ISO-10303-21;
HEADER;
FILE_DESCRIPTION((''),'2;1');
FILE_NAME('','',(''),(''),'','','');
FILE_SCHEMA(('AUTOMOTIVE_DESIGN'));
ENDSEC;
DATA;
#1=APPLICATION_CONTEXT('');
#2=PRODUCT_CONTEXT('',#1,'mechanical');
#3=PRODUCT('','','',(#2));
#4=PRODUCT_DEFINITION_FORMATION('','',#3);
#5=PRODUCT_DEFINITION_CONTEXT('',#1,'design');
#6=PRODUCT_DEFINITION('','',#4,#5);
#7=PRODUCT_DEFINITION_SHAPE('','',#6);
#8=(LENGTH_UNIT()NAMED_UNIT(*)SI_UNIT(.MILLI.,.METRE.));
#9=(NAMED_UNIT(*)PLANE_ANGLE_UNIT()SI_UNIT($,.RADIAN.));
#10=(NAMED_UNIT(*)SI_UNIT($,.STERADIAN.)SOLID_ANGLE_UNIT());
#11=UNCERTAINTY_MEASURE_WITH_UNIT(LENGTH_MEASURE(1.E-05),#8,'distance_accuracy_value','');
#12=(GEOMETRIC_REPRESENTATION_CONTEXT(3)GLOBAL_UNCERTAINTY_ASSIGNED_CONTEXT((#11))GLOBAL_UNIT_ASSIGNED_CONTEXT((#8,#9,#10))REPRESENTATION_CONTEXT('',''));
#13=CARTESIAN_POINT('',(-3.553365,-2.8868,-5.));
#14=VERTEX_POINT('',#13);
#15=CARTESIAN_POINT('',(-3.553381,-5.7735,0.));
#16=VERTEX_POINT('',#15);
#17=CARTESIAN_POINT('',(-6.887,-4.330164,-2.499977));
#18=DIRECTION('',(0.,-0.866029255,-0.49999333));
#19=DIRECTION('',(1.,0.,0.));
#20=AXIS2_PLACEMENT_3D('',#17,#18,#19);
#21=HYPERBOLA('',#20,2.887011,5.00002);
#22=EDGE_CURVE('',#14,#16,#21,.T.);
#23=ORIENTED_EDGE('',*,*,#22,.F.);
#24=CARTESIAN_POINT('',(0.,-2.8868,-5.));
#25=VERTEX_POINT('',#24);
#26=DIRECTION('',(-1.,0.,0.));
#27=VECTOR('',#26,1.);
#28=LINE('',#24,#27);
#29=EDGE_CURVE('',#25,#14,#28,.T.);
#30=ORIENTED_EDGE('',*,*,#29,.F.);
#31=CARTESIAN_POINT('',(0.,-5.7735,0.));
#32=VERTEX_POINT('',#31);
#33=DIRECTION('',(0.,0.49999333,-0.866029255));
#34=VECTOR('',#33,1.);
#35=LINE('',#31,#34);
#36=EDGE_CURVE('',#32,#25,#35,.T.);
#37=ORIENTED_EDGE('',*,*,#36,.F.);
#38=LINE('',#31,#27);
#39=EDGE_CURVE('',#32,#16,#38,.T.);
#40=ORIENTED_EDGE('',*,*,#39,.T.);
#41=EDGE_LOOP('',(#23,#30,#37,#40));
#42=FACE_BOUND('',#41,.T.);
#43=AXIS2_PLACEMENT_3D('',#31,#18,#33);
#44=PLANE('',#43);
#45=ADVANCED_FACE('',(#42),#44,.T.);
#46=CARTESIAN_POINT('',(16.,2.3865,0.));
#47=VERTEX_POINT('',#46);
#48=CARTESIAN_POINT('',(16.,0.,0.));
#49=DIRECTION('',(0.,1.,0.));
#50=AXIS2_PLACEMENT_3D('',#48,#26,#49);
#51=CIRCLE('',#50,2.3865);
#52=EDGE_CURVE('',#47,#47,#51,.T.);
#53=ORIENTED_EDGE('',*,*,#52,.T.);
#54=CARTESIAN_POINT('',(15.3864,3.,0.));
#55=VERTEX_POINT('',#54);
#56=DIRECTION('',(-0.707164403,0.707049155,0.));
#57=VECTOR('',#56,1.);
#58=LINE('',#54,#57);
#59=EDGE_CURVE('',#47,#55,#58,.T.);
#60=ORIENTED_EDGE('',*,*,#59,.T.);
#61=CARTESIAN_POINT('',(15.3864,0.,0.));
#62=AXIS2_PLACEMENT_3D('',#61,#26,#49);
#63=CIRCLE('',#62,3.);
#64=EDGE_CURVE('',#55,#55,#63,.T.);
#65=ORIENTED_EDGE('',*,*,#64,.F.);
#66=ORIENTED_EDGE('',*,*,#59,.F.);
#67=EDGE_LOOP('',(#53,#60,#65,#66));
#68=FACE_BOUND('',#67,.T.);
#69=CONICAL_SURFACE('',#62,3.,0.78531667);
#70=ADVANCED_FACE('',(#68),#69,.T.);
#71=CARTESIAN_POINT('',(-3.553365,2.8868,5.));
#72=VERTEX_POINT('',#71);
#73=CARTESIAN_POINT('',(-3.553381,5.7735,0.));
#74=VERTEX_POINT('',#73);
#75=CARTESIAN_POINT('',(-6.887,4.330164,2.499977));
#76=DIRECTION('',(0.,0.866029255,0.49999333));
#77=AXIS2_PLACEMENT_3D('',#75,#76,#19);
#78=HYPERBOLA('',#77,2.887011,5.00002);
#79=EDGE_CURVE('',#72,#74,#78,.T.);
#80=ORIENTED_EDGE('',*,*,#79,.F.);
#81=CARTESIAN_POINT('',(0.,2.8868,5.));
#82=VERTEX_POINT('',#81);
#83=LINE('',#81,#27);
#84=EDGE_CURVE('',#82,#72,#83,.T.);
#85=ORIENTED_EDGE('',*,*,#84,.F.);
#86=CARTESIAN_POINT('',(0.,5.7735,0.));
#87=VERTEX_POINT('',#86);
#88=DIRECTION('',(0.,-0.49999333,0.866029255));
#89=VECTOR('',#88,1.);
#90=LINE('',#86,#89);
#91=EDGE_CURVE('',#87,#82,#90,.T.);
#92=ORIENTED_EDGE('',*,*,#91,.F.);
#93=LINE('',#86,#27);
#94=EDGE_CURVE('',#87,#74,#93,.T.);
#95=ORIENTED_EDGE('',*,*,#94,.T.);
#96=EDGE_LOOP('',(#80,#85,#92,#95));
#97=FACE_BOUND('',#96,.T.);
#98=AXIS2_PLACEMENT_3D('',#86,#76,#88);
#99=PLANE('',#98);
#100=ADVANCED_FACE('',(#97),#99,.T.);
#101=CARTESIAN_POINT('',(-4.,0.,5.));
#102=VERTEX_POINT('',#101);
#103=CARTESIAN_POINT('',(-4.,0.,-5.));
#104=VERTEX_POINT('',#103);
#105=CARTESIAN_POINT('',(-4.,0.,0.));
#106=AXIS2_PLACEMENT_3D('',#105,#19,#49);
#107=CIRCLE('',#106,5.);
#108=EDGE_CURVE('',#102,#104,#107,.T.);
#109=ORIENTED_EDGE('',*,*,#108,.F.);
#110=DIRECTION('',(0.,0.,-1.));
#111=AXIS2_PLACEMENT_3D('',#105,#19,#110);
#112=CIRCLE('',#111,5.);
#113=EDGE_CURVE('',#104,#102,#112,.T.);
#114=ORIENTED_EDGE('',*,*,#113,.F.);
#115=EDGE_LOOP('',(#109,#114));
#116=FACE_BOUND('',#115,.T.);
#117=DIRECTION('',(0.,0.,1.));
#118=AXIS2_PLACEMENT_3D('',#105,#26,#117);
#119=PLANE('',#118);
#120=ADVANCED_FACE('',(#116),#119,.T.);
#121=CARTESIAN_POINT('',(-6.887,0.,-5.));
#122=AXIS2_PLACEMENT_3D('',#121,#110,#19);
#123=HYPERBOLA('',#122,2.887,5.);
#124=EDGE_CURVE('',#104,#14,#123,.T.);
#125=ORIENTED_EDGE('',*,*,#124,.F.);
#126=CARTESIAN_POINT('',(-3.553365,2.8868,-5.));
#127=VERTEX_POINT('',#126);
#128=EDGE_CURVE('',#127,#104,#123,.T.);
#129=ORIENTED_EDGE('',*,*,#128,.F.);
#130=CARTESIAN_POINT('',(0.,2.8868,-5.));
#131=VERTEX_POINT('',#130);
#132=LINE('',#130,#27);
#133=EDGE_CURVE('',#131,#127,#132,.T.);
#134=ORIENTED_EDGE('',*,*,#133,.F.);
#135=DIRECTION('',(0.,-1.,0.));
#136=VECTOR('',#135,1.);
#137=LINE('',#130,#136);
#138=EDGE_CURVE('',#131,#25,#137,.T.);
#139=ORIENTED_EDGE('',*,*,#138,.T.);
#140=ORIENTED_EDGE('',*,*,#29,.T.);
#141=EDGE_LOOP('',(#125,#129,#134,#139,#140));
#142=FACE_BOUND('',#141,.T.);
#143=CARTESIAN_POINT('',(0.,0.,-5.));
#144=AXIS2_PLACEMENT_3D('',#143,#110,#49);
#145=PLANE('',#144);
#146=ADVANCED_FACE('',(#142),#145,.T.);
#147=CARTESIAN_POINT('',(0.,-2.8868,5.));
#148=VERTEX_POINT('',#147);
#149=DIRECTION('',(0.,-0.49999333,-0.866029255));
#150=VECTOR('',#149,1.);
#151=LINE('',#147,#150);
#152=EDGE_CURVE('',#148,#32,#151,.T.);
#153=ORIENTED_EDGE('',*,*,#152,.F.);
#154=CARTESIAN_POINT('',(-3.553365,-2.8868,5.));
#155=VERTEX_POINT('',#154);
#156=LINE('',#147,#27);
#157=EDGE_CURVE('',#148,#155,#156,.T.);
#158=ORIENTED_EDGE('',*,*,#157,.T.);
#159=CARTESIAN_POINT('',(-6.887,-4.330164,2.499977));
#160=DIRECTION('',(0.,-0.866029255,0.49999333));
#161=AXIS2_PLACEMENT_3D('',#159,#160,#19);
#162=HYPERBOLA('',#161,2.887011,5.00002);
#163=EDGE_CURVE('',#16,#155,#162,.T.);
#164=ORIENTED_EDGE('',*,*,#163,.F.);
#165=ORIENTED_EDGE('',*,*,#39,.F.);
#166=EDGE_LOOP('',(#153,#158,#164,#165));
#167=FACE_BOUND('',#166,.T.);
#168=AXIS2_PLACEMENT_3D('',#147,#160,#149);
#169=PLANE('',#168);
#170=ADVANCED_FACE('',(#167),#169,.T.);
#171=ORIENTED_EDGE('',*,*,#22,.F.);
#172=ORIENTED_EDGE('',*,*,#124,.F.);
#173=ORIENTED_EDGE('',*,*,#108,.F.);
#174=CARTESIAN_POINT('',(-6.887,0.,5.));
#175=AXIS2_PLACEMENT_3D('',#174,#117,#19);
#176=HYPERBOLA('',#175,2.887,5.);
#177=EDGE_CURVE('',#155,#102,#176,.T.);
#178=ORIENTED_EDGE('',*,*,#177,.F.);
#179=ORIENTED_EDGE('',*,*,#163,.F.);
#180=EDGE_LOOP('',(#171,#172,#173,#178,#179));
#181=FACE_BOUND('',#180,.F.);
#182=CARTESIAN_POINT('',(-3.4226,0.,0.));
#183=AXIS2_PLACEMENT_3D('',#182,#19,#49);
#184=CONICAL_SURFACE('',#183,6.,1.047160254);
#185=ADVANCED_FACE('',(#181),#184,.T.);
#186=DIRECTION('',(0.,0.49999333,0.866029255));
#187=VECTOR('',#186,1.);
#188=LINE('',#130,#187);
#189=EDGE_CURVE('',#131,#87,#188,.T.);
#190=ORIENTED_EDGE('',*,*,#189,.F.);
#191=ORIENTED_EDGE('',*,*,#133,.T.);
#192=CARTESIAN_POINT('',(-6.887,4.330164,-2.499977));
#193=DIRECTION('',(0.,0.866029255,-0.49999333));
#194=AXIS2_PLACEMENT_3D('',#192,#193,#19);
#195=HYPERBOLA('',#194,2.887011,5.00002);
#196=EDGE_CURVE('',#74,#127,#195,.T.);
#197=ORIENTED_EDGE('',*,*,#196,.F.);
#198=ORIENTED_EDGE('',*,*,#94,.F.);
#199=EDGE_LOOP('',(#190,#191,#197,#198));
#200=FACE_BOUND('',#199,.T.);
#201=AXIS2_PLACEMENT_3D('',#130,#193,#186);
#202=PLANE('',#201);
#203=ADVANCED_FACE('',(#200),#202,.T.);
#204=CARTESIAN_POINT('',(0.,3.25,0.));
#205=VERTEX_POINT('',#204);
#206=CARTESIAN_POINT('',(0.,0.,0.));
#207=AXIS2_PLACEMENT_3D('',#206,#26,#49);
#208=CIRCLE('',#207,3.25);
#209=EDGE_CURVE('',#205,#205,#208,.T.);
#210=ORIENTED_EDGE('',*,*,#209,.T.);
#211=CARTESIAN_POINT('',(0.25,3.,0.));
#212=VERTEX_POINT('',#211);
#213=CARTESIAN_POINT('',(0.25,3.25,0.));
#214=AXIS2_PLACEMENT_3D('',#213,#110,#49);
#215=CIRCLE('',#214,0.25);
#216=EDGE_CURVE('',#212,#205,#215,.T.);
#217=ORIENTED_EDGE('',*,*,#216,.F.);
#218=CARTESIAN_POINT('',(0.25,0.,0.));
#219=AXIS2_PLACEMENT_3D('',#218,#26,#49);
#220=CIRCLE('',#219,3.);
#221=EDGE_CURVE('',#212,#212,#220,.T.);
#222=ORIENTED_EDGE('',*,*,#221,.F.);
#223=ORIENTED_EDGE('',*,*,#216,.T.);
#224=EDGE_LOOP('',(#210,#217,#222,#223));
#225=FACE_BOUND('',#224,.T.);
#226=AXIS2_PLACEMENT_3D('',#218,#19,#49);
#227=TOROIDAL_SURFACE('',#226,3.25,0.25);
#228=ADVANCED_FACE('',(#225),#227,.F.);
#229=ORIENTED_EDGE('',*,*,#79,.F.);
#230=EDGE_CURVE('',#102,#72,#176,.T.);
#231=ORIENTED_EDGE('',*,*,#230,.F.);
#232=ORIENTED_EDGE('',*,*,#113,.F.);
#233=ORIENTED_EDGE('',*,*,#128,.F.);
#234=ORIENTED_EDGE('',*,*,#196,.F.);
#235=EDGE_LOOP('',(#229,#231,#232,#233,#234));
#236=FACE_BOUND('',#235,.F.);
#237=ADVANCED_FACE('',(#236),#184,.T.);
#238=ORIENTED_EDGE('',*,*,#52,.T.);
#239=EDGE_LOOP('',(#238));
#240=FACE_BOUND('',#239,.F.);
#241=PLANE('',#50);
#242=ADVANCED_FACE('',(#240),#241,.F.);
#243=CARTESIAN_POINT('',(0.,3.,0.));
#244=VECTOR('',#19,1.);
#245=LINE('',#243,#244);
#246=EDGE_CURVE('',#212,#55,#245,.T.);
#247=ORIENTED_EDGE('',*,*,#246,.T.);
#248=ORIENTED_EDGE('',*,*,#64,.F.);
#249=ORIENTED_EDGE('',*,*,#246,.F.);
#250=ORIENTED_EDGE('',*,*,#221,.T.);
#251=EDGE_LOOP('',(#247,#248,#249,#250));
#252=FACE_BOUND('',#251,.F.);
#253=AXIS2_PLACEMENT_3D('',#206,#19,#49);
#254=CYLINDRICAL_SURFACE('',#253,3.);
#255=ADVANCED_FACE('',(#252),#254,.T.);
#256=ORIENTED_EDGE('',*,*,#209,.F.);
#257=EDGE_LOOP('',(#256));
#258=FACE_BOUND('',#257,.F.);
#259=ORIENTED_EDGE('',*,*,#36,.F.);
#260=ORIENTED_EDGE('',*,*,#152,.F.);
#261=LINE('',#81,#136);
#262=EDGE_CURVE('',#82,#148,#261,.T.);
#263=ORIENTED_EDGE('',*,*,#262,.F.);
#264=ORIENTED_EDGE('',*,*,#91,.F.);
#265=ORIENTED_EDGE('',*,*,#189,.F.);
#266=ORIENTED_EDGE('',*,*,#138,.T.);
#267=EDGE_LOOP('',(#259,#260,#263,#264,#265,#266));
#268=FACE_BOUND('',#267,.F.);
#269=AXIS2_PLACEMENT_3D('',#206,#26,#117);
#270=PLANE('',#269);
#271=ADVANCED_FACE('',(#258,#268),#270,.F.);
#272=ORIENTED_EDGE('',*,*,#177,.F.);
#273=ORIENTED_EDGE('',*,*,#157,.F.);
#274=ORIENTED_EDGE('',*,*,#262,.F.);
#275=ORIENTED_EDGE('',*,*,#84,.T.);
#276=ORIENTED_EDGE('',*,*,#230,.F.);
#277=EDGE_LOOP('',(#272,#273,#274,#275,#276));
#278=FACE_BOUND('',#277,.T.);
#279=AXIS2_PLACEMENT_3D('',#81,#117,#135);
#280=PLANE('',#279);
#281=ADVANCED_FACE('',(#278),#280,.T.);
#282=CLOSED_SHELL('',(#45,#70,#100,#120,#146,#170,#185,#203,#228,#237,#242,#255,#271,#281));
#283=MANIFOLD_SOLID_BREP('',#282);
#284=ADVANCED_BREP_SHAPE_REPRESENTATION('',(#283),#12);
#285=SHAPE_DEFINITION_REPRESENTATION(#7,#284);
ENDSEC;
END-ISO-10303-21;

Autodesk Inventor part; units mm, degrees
ref_plane "YZ Plane" through (0, 0, 0) normal (1, 0, 0) x (0, 1, 0)
ref_plane "XZ Plane" through (0, 0, 0) normal (0, 1, 0) x (-1, 0, 0)
sketch "Sketch1" plane through (0, 0, 0) normal (0, 0, 1) x (1, 0, 0)
  line L0 (0, 3) -> (16, 3)
  line L1 (16, 3) -> (16, 0)
  line L2 (16, 0) -> (0, 0)
  line L3 (-3.2, 0) -> (19.2, 0) projected
  line L4 (0, -0.6) -> (0, 3.6) projected
  line L5 (0, 3) -> (0, 0)
  dimension "d2" = 6
  dimension "d59" = 16
revolve "Body" add sketch "Sketch1" angle 360 about axis through (16, 0, 0) along (-1, 0, 0)
sketch "Sketch2" plane through (0, 0, 0) normal (-1, 0, 0) x (0, 0, 1)
  line L0 (0, 5.7735) -> (5, 2.8868)
  line L1 (5, 2.8868) -> (5, -2.8868)
  line L2 (5, -2.8868) -> (0, -5.7735)
  line L3 (0, -5.7735) -> (-5, -2.8868)
  line L4 (-5, -2.8868) -> (-5, 2.8868)
  line L5 (-5, 2.8868) -> (0, 5.7735)
  line L6 (-7, 0) -> (7, 0) projected
  line L7 (0, 8.0829) -> (0, -8.0829) projected
  point P0 (0, 0)
  point P1 (0, 0)
  dimension "d11" = 10
extrude "Head" add sketch "Sketch2" along normal blind 4
sketch "Sketch4" plane through (0, 0, 0) normal (0, 0, 1) x (1, 0, 0)
  line L0 (-3.4226, 6) -> (-4, 5)
  line L1 (-1.1, 0) -> (-0.234, 0)
  line L2 (-4.7532, 0) -> (0.5192, 0) projected
  line L3 (-4, 6) -> (-3.4226, 6)
  line L4 (-4, 5) -> (-4, 6)
  line L5 (0, 7.2) -> (0, -1.2) projected
  dimension "d65" = 10
  dimension "d67" = 30
  dimension "d68" = 12
  dimension "d69" = 4
revolve "Chamfer1" cut sketch "Sketch4" angle 360 about axis through (-1.1, 0, 0) along (1, 0, 0)
thread "Thread" size "M6x1" designation "M6" class "6g" standard "GB Metric profile" length 15
chamfer "Chamfer2" distance 0.6135 distance2 0.6136 1 edges at (16, -3, 0) measured on face at (16, -0.5681, 0.823)
fillet "Fillet2" radius 0.25 1 edges at (0, -3, 0)
ref_plane "Work Plane1" through (1.525, 0, 0) normal (0, 0, 1) x (1, 0, 0)
equation "\"d2\" = GD"
equation "\"d59\" = NLG"
equation "\"d11\" = SW"
equation "\"d3\" = KOH"
equation "\"d71\" = RR"
equation "\"d15\" = GEL"
equation "\"d6\" = -0.5 * SPD + 0.5 * GD"
equation "\"d65\" = SW"
equation "\"d67\" = ANG1"
equation "\"d68\" = 1.2 * SW"
equation "\"d69\" = KOH"
equation "\"NLG\" = 16"
equation "\"GD\" = NND"
equation "\"BDM\" = NND"
equation "\"KOH\" = 4"
equation "\"GEL\" = 15"
equation "\"SW\" = 10"
equation "\"SPD\" = NND - 1.2269 * PTC"
equation "\"SD2\" = NND"
equation "\"SD\" = 0"
equation "\"ANG1\" = 30deg"
equation "\"GAL\" = 0.61345 * PTC"
equation "\"GUL\" = 0.61345 * PTC"
equation "\"RR\" = 0.25"
equation "\"RR1\" = 0.1"
equation "\"WFT\" = 0"
equation "\"GD1\" = THREADDIA - 1.2269 * PTC"
equation "\"THREADDIA\" = 6"
equation "\"TOA\" = 30deg"
equation "\"FAWI\" = 90deg"
equation "\"PTC\" = 1"
equation "\"NND\" = 6"
equation "\"E0\" = 1.155 * SW"
properties part number "Hexagon bolt GB/T 5781 M6 x 16" material "Steel, Mild"
